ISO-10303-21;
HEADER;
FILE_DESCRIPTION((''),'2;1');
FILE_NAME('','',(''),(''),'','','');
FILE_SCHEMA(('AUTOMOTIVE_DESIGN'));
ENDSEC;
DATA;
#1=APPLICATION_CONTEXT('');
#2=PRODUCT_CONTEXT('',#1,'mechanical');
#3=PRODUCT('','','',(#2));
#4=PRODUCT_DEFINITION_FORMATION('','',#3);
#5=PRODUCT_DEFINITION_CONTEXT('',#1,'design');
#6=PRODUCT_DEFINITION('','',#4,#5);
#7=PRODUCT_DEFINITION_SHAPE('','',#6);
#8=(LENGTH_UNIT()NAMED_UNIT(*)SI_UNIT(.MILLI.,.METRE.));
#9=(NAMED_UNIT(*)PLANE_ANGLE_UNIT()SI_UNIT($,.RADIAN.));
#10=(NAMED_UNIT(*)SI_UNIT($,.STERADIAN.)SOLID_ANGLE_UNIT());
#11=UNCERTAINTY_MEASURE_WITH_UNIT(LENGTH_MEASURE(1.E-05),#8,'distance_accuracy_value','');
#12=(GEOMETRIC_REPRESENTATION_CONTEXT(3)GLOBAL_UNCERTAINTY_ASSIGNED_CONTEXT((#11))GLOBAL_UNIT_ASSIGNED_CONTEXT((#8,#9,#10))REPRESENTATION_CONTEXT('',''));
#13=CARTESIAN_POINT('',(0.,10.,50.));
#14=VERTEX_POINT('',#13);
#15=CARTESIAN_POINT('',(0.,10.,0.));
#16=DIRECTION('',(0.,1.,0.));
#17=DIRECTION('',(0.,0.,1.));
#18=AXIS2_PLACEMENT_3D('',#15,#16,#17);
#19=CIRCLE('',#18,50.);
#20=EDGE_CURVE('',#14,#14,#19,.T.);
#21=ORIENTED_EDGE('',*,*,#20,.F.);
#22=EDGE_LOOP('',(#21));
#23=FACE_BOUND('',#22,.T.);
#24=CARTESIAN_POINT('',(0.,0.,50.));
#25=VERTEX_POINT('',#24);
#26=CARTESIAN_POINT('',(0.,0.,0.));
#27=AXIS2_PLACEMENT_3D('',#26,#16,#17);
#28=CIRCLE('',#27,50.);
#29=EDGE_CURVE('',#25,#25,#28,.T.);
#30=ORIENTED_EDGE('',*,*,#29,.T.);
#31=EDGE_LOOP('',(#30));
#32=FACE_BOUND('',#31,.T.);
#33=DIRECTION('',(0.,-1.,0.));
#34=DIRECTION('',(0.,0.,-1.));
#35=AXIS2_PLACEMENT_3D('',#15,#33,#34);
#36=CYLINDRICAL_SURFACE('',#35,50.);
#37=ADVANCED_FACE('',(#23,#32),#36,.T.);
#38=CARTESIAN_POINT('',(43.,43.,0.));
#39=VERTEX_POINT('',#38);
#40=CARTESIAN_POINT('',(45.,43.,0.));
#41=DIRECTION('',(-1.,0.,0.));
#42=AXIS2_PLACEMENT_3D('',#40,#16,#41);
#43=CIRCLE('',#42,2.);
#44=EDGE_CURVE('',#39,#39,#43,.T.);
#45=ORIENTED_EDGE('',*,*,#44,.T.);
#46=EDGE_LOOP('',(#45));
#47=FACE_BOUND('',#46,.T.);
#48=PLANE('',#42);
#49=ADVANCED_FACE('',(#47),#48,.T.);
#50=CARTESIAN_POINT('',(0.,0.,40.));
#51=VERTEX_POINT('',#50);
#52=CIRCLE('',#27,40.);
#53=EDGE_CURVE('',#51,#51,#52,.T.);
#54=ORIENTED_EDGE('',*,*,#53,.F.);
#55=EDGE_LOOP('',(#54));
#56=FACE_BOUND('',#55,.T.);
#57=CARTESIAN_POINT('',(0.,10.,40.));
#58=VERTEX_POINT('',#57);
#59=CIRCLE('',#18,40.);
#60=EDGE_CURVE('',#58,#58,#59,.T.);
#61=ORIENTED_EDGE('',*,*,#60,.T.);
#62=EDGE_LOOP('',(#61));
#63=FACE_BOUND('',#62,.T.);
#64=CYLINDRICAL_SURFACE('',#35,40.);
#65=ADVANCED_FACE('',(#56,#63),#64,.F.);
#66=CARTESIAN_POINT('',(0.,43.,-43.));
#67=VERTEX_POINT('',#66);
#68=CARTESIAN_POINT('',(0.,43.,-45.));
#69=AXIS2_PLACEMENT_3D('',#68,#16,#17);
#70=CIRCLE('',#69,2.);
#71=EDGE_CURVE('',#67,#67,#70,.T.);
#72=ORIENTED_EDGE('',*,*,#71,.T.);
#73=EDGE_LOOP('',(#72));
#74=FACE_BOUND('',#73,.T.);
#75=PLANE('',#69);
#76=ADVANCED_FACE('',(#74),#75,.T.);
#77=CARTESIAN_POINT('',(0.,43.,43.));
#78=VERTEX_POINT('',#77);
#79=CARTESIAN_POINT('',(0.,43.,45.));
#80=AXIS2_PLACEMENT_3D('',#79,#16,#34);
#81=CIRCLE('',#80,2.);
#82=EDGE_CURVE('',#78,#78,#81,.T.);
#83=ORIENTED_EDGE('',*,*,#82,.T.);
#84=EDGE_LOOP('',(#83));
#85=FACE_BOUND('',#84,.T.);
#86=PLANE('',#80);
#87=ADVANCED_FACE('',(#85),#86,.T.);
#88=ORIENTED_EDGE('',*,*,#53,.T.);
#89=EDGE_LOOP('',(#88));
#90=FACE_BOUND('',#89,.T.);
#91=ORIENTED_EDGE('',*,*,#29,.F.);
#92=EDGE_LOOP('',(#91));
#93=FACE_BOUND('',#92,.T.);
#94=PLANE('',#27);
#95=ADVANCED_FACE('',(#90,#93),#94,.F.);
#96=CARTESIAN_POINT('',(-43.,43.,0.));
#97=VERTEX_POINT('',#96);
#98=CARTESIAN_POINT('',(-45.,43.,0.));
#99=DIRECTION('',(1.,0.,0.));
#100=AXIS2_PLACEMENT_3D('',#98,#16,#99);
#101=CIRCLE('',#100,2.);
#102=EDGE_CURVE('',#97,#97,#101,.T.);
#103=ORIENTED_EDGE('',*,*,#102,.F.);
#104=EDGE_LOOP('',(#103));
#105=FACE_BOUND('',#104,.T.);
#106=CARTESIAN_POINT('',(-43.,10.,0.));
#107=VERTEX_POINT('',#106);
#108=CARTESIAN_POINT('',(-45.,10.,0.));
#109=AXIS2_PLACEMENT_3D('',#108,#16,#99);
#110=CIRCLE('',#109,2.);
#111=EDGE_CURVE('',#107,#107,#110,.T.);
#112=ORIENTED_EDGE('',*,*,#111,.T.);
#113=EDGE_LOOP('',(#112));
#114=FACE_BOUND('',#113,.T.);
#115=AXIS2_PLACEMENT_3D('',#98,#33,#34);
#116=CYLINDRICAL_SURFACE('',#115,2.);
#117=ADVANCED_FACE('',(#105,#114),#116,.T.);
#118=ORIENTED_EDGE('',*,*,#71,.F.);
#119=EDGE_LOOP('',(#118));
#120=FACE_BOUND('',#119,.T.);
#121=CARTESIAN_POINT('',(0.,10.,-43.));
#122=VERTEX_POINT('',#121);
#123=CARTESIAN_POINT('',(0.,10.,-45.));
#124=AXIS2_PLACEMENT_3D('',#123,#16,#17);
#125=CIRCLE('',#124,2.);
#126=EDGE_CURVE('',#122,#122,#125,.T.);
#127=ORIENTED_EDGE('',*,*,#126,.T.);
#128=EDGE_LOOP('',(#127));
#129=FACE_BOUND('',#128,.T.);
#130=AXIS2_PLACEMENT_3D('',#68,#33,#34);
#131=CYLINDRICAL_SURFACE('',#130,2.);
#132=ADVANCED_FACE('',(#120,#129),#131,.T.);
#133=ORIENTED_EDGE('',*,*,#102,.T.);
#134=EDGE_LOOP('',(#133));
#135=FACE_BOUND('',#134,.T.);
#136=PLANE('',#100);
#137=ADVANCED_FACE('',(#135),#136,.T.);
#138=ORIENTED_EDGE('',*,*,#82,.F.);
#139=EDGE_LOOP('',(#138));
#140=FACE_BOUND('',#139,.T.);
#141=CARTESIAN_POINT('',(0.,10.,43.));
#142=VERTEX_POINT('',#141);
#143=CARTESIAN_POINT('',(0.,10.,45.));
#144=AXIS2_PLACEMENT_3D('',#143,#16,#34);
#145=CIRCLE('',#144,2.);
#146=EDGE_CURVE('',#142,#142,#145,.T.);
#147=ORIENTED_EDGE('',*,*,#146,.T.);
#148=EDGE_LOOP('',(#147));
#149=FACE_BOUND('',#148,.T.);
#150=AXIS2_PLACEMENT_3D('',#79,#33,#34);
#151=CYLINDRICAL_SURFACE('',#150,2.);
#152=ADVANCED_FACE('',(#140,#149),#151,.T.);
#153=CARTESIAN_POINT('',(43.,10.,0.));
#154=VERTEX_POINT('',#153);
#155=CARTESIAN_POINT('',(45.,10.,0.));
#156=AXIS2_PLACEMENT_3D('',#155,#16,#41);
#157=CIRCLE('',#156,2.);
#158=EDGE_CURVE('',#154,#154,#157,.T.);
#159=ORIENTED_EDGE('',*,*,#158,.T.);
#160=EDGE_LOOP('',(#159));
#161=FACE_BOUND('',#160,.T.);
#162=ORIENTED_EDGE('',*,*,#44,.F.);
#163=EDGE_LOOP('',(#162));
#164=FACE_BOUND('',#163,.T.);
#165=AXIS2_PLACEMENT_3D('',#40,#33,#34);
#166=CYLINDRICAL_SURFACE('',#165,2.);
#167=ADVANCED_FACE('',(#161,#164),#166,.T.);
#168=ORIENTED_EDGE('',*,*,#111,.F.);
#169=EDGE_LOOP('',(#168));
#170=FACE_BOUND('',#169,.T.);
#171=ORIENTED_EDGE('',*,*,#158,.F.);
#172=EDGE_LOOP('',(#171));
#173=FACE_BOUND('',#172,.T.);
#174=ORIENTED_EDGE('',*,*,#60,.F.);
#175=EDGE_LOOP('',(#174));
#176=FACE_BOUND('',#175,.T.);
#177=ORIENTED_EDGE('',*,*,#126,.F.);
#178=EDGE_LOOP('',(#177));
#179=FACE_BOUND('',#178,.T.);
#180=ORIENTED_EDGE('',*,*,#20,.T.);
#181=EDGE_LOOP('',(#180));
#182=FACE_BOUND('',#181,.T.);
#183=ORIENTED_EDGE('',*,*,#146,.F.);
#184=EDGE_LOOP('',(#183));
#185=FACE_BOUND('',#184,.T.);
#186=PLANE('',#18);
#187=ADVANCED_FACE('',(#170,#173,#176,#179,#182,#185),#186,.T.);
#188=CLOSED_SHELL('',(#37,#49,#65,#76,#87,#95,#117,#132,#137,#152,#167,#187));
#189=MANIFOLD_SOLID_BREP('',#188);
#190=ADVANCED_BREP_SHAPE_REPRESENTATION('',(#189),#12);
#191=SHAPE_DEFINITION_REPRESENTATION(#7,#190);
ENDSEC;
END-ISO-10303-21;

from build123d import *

# Parameters (mm, degrees)
SKETCH1_R           = 50
SKETCH1_R_2         = 40
BOSS_EXTRUDE1_DEPTH = 10
SKETCH2_R           = 2
BOSS_EXTRUDE2_DEPTH = 33
CIRPATTERN1_COUNT   = 4


with BuildPart() as part:
    # Sketch1 → Boss-Extrude1 (new body)
    with BuildSketch(Plane(origin=(0, 0, 0), x_dir=(1, 0, 0), z_dir=(0, 1, 0))):
        Circle(SKETCH1_R)
        Circle(SKETCH1_R_2, mode=Mode.SUBTRACT)
    extrude(amount=BOSS_EXTRUDE1_DEPTH)

    # Sketch2 → Boss-Extrude2 (add)
    with BuildSketch(Plane(origin=(0, 10, 0), x_dir=(1, 0, 0), z_dir=(0, 1, 0))):
        with Locations((0, 45)):
            Circle(SKETCH2_R)
    boss_extrude2 = extrude(amount=BOSS_EXTRUDE2_DEPTH)

    # CirPattern1: Boss-Extrude2 ×4 about axis
    cirpattern1_axis = Axis((0, 10, 0), (0, 1, 0))
    for i in range(1, CIRPATTERN1_COUNT):
        add(boss_extrude2.rotate(cirpattern1_axis, i * 360 / CIRPATTERN1_COUNT))


solid = part.part
